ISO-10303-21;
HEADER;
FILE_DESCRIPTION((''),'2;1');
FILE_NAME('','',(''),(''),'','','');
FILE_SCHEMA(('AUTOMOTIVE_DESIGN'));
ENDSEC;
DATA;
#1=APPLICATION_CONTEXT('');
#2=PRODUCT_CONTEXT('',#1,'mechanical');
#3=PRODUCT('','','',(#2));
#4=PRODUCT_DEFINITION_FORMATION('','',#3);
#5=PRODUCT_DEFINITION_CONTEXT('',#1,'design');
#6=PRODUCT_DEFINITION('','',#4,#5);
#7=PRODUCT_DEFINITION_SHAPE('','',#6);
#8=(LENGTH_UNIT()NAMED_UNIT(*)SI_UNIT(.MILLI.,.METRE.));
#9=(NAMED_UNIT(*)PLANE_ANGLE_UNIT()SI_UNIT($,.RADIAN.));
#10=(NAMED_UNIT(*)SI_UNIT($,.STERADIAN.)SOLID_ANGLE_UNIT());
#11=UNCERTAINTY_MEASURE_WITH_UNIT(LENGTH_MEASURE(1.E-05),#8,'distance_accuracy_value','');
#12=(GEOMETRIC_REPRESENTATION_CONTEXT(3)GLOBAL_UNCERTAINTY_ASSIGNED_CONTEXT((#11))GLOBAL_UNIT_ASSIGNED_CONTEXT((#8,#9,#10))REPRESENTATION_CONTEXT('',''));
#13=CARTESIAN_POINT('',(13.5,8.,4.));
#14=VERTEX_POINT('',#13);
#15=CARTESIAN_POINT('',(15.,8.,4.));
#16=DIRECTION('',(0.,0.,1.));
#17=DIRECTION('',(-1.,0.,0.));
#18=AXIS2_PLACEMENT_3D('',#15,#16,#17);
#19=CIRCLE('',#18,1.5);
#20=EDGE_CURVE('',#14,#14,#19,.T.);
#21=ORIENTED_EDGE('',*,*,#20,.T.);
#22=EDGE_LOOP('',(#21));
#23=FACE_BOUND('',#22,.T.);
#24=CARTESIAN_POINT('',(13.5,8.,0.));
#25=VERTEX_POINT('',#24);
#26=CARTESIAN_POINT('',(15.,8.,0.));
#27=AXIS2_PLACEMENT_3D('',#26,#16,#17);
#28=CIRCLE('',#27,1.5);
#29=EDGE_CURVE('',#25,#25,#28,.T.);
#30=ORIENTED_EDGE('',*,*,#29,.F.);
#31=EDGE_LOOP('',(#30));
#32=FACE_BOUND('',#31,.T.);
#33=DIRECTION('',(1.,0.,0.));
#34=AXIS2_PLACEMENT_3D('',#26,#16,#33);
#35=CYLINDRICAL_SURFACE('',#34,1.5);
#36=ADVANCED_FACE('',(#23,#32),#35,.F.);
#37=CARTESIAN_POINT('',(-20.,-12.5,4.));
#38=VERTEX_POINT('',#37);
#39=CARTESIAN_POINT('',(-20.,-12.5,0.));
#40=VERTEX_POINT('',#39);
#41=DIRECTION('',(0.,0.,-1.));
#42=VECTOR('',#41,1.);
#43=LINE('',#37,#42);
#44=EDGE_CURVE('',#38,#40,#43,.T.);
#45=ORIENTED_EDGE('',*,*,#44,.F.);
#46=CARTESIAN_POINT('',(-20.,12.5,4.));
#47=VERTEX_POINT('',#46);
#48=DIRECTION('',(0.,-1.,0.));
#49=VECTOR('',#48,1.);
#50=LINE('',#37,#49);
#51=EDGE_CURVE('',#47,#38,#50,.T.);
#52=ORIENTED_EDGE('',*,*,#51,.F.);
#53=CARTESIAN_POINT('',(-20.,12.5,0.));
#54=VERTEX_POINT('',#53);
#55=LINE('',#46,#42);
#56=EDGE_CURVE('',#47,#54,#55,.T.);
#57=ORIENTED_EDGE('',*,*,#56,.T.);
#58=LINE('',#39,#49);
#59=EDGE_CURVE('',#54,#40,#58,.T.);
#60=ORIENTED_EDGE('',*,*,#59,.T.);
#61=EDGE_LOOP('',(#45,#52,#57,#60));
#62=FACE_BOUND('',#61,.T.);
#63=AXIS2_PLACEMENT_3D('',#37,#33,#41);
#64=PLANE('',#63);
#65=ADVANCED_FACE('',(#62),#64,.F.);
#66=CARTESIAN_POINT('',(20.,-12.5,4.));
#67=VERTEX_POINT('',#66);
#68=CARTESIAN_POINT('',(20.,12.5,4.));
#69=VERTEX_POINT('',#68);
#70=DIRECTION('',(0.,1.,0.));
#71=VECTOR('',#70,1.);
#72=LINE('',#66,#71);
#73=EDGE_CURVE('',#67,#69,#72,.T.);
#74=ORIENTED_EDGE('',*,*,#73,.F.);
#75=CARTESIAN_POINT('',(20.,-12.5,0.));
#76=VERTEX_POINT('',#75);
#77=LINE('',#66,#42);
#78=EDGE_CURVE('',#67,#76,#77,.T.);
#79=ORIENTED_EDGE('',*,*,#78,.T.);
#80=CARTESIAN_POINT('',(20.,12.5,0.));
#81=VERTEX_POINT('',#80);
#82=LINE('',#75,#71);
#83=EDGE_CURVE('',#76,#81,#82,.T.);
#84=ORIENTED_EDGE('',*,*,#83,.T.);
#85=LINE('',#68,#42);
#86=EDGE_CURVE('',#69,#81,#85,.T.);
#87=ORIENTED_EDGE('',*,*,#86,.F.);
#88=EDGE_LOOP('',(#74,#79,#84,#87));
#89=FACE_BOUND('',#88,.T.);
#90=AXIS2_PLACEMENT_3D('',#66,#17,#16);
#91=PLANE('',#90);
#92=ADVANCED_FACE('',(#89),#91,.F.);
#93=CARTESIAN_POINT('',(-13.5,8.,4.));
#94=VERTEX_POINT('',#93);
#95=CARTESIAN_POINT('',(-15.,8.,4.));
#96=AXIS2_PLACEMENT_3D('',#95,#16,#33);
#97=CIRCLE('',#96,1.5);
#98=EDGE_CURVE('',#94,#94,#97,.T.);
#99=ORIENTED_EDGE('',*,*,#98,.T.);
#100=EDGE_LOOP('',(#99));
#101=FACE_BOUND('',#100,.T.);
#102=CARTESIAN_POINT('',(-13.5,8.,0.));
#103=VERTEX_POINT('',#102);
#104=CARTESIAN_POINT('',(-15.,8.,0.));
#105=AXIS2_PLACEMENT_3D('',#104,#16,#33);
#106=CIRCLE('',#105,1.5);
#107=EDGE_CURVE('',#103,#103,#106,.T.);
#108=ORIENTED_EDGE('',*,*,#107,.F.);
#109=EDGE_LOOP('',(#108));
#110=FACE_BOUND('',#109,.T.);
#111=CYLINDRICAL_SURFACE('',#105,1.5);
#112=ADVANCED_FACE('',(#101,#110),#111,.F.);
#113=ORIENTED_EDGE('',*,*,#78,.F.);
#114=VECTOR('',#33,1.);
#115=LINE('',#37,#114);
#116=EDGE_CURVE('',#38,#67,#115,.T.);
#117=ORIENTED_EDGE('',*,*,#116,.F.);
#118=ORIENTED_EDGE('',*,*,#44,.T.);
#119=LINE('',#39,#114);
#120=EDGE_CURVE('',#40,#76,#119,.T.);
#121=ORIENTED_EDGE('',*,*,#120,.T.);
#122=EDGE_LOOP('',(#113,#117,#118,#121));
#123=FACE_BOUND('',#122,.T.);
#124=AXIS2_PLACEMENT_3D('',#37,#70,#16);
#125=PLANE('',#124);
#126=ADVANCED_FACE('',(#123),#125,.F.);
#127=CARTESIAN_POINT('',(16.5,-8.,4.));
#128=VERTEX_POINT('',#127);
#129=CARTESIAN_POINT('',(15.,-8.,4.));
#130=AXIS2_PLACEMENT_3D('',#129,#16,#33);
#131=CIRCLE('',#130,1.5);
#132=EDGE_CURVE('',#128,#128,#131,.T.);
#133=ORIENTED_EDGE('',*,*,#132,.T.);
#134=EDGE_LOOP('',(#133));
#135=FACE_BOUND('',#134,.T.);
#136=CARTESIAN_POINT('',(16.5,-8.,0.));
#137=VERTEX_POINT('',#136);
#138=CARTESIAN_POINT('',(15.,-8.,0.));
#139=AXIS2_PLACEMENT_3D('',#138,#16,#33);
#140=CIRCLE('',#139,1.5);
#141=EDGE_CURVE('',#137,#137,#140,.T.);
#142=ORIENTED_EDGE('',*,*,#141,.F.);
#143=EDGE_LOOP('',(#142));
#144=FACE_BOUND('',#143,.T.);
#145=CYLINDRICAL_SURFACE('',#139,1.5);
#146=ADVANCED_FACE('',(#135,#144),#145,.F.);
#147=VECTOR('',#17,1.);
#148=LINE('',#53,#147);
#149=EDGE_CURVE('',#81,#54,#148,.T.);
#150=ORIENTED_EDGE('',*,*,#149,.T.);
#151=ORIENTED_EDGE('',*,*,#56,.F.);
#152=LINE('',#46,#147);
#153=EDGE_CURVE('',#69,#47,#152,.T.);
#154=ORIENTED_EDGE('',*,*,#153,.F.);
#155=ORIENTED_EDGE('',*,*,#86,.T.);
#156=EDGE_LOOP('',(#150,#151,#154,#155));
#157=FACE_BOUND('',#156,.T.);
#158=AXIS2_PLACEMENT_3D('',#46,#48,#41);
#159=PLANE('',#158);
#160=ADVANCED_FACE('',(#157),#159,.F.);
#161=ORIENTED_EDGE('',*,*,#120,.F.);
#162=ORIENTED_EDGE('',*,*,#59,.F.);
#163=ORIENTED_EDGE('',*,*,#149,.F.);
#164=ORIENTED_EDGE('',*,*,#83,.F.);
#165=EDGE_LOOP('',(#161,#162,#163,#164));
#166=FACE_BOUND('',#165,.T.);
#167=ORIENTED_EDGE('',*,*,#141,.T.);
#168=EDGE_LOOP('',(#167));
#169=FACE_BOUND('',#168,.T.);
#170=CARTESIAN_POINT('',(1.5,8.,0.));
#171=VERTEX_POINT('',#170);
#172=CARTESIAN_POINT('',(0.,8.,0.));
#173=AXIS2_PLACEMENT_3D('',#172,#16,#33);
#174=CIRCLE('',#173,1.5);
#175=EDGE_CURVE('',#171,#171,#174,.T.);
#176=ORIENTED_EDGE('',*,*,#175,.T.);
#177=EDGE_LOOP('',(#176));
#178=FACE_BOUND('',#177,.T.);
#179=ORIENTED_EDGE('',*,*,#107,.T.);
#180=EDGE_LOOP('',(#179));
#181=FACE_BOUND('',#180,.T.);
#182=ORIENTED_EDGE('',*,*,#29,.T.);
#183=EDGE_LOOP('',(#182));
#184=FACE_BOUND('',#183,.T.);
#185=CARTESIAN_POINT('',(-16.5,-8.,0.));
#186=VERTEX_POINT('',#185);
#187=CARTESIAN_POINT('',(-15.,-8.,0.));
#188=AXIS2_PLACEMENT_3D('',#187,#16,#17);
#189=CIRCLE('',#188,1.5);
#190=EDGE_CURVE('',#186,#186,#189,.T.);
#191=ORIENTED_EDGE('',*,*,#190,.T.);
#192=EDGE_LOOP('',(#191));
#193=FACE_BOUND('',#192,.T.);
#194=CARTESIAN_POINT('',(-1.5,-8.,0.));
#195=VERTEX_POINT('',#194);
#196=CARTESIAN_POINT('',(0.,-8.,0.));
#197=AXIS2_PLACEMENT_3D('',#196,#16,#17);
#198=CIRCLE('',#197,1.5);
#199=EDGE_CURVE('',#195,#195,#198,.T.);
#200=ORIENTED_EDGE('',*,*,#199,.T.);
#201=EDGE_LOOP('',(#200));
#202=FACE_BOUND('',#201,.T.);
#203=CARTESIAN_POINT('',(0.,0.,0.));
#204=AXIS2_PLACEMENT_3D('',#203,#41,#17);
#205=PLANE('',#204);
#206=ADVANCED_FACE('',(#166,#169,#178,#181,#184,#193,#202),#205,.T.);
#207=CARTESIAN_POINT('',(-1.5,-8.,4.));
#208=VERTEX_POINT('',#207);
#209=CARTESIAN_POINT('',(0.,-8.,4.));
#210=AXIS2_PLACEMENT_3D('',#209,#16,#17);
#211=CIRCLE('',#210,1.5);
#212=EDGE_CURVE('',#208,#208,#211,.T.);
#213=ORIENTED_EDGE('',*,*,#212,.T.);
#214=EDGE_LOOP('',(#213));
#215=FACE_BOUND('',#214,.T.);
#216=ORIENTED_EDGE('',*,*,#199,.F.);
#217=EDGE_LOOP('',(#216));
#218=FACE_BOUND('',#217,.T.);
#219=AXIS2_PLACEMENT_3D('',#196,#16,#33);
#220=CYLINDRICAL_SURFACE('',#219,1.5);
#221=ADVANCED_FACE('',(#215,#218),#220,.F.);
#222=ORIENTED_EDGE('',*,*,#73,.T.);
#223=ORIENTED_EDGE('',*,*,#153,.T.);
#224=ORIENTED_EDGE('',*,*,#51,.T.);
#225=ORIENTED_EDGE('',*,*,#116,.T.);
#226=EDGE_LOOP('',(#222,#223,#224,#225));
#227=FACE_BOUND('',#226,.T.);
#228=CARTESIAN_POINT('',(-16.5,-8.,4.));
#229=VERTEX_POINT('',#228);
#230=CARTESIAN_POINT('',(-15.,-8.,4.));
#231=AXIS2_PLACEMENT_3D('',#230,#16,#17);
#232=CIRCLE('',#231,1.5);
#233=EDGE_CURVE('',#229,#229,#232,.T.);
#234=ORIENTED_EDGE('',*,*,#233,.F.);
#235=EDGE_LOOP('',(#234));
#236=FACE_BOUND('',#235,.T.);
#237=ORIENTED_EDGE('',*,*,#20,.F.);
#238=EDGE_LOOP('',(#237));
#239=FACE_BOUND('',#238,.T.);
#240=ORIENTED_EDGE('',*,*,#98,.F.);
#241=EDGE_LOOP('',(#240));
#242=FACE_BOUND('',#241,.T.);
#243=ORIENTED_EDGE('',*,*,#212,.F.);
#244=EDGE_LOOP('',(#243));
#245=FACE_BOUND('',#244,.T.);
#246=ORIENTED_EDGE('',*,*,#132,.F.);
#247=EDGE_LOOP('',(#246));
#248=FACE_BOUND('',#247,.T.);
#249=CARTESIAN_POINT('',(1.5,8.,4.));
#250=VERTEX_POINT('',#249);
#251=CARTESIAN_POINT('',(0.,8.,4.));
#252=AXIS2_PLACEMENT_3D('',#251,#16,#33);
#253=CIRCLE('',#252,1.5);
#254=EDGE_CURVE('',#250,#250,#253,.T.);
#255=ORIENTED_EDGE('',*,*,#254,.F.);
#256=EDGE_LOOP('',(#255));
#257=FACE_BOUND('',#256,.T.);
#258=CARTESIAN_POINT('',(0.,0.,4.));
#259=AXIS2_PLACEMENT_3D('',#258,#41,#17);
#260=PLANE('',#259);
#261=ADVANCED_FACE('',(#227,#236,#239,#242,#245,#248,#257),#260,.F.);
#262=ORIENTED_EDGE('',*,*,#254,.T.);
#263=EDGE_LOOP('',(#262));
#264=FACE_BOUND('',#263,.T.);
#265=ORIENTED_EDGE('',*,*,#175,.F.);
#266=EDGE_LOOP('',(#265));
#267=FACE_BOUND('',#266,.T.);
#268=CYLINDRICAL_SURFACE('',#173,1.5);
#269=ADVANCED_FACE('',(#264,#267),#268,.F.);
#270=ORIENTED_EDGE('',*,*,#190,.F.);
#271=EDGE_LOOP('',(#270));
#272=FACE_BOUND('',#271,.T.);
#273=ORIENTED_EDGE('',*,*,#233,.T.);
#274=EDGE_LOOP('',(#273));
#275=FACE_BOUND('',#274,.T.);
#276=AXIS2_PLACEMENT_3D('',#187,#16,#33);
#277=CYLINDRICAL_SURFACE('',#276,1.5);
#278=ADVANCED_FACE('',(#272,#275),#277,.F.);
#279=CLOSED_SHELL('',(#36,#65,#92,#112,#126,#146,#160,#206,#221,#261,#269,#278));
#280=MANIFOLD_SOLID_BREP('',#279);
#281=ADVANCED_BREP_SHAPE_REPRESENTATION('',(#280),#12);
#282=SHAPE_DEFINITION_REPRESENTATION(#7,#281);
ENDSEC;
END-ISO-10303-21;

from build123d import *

# Parameters (mm, degrees)
SKETCH_2_W          = 40
SKETCH_2_H          = 25
EXTRUDE_1_DEPTH     = 4
SKETCH_3_R          = 1.5
CUT_EXTRUDE_1_DEPTH = 4


with BuildPart() as part:
    # 草图2 → 凸台-拉伸1 (new body)
    with BuildSketch(Plane.XY):
        Rectangle(SKETCH_2_W, SKETCH_2_H)
    extrude(amount=EXTRUDE_1_DEPTH)

    # 草图3 → 切除-拉伸1 (cut)
    with BuildSketch(Plane.XY.offset(4)):
        with Locations((-15, 8)):
            Circle(SKETCH_3_R)
        with Locations((0, 8)):
            Circle(SKETCH_3_R)
        with Locations(Location((15, 8, 0), (0, 0, 180))):
            Circle(SKETCH_3_R)
        with Locations((15, -8)):
            Circle(SKETCH_3_R)
        with Locations(Location((0, -8, 0), (0, 0, 180))):
            Circle(SKETCH_3_R)
        with Locations(Location((-15, -8, 0), (0, 0, 180))):
            Circle(SKETCH_3_R)
    extrude(amount=-CUT_EXTRUDE_1_DEPTH, mode=Mode.SUBTRACT)


solid = part.part
